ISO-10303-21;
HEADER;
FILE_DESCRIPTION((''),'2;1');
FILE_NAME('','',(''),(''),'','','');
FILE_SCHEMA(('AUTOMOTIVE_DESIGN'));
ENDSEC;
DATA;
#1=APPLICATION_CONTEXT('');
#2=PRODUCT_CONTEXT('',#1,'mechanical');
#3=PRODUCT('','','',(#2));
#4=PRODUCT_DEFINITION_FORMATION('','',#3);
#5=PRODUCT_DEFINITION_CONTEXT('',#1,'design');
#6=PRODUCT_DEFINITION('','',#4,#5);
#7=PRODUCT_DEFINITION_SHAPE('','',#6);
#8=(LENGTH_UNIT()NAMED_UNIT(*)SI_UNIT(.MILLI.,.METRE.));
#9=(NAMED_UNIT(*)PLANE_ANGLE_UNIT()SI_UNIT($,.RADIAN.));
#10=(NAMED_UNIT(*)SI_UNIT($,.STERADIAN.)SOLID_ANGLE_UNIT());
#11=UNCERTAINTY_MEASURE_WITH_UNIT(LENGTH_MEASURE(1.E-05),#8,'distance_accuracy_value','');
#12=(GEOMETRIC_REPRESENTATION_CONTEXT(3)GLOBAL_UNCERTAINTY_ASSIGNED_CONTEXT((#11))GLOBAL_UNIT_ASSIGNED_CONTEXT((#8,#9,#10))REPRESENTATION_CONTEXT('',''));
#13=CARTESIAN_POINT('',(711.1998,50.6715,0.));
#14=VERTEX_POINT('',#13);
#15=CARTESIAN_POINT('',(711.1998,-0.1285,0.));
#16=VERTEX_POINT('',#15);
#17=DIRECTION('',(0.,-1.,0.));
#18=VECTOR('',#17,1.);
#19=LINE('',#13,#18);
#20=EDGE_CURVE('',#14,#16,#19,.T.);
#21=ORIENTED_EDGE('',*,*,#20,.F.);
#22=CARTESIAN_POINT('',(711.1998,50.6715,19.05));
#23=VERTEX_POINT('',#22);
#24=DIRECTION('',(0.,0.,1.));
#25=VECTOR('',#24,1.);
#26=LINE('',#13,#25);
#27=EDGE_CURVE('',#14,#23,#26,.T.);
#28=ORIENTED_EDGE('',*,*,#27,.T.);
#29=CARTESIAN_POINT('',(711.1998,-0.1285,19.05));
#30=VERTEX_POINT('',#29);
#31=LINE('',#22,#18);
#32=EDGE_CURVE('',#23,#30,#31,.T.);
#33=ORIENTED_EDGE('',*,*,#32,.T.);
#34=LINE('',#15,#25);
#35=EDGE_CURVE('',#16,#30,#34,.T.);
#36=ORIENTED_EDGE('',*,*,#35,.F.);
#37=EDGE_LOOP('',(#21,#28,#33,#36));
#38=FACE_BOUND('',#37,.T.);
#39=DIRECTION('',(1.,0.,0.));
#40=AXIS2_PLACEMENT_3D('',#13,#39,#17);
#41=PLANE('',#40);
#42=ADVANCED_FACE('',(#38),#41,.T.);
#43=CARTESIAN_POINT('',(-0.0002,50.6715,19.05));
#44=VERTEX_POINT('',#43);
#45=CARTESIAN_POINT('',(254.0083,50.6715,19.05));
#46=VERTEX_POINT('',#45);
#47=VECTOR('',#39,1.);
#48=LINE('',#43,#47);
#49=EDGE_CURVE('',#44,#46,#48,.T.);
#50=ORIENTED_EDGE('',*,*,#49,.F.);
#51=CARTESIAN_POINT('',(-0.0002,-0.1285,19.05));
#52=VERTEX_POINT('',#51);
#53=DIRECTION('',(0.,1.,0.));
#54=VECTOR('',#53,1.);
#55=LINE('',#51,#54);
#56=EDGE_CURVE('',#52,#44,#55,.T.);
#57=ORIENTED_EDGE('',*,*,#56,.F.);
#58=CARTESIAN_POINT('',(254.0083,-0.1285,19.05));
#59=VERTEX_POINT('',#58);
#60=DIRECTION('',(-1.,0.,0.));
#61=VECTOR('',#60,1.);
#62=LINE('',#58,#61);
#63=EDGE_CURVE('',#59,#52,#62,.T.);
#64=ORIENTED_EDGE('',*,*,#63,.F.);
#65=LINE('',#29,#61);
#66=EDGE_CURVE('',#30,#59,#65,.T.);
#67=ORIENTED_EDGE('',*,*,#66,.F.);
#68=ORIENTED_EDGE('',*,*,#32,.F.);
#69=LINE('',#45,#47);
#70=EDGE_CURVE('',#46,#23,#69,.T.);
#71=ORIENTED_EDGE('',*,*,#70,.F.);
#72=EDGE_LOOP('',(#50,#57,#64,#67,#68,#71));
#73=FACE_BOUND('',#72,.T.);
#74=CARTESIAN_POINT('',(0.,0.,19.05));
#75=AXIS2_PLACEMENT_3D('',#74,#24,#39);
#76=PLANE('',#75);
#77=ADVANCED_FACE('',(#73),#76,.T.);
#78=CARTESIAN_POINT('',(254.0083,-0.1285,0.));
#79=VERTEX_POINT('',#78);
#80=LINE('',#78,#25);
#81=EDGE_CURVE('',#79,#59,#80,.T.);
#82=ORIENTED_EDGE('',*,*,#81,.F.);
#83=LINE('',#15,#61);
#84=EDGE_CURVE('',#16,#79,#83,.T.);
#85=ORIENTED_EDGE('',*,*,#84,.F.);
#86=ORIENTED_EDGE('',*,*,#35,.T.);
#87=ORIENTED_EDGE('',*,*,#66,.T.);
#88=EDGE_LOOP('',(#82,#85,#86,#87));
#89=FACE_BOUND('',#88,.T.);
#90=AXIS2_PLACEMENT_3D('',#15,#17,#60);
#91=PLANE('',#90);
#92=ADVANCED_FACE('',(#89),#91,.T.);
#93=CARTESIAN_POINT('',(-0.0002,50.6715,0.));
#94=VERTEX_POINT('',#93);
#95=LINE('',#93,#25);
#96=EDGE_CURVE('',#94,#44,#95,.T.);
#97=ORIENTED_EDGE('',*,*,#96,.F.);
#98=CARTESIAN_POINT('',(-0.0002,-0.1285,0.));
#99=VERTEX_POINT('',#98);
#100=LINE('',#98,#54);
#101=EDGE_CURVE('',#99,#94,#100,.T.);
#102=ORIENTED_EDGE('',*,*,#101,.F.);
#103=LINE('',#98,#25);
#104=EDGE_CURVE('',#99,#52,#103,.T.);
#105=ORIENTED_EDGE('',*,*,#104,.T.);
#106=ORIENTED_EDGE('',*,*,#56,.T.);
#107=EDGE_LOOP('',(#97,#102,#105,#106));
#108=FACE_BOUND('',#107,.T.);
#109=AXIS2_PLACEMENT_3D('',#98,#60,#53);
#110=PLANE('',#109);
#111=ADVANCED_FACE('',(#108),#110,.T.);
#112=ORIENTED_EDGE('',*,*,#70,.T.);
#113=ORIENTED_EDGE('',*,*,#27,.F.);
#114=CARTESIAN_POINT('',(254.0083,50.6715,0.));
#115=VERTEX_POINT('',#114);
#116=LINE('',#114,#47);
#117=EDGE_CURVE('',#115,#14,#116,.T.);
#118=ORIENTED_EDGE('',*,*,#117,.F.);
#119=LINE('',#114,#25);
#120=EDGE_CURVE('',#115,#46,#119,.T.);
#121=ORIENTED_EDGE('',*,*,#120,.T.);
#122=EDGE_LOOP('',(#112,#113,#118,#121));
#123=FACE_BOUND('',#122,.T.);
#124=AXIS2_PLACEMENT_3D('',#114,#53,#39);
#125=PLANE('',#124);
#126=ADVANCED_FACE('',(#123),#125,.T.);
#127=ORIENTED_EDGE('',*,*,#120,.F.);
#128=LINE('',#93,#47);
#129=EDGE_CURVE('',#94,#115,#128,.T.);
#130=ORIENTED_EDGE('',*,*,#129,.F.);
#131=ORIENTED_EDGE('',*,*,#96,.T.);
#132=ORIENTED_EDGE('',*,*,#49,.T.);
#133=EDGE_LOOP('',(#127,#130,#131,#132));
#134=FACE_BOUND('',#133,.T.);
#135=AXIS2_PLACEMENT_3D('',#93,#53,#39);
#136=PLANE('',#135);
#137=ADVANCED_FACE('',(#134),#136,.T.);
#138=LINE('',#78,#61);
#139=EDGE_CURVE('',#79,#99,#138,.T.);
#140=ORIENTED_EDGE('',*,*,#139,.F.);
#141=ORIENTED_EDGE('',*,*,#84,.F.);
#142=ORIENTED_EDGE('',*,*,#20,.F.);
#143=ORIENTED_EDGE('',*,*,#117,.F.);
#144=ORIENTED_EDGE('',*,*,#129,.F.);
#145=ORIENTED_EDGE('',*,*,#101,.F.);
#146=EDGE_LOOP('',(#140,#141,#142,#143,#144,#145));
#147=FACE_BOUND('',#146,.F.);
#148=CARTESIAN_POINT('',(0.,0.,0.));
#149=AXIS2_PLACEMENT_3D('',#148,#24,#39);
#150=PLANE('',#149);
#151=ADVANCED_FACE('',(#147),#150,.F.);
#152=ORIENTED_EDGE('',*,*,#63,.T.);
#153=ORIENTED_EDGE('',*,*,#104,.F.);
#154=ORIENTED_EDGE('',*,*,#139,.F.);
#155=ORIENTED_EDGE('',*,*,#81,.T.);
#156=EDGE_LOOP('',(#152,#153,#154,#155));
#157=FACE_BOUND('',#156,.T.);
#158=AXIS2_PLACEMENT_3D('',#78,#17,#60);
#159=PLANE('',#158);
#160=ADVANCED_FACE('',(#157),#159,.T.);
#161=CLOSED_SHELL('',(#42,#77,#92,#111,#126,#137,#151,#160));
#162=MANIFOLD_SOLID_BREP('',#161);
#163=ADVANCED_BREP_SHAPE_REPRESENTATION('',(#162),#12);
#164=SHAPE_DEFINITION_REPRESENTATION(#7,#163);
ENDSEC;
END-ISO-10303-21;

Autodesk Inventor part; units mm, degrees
ref_plane "YZ Plane" through (0, 0, 0) normal (1, 0, 0) x (0, 1, 0)
ref_plane "XZ Plane" through (0, 0, 0) normal (0, 1, 0) x (-1, 0, 0)
ref_plane "XY Plane" through (0, 0, 0) normal (0, 0, 1) x (1, 0, 0)
sketch "Sketch1" plane through (0, 0, 0) normal (0, 0, 1) x (1, 0, 0)
  line L0 (711.1998, -0.1285) -> (254.0083, -0.1285)
  line L1 (254.0083, -0.1285) -> (-0.0002, -0.1285)
  line L2 (-0.0002, -0.1285) -> (-0.0002, 50.6715)
  line L3 (-0.0002, 50.6715) -> (254.0083, 50.6715)
  line L4 (254.0083, 50.6715) -> (711.1998, 50.6715)
  line L5 (711.1998, 50.6715) -> (711.1998, -0.1285)
  point P0 (0, 0)
extrude "Extrusion1" add sketch "Sketch1" along normal blind 19.05
properties part number "nd-p"
